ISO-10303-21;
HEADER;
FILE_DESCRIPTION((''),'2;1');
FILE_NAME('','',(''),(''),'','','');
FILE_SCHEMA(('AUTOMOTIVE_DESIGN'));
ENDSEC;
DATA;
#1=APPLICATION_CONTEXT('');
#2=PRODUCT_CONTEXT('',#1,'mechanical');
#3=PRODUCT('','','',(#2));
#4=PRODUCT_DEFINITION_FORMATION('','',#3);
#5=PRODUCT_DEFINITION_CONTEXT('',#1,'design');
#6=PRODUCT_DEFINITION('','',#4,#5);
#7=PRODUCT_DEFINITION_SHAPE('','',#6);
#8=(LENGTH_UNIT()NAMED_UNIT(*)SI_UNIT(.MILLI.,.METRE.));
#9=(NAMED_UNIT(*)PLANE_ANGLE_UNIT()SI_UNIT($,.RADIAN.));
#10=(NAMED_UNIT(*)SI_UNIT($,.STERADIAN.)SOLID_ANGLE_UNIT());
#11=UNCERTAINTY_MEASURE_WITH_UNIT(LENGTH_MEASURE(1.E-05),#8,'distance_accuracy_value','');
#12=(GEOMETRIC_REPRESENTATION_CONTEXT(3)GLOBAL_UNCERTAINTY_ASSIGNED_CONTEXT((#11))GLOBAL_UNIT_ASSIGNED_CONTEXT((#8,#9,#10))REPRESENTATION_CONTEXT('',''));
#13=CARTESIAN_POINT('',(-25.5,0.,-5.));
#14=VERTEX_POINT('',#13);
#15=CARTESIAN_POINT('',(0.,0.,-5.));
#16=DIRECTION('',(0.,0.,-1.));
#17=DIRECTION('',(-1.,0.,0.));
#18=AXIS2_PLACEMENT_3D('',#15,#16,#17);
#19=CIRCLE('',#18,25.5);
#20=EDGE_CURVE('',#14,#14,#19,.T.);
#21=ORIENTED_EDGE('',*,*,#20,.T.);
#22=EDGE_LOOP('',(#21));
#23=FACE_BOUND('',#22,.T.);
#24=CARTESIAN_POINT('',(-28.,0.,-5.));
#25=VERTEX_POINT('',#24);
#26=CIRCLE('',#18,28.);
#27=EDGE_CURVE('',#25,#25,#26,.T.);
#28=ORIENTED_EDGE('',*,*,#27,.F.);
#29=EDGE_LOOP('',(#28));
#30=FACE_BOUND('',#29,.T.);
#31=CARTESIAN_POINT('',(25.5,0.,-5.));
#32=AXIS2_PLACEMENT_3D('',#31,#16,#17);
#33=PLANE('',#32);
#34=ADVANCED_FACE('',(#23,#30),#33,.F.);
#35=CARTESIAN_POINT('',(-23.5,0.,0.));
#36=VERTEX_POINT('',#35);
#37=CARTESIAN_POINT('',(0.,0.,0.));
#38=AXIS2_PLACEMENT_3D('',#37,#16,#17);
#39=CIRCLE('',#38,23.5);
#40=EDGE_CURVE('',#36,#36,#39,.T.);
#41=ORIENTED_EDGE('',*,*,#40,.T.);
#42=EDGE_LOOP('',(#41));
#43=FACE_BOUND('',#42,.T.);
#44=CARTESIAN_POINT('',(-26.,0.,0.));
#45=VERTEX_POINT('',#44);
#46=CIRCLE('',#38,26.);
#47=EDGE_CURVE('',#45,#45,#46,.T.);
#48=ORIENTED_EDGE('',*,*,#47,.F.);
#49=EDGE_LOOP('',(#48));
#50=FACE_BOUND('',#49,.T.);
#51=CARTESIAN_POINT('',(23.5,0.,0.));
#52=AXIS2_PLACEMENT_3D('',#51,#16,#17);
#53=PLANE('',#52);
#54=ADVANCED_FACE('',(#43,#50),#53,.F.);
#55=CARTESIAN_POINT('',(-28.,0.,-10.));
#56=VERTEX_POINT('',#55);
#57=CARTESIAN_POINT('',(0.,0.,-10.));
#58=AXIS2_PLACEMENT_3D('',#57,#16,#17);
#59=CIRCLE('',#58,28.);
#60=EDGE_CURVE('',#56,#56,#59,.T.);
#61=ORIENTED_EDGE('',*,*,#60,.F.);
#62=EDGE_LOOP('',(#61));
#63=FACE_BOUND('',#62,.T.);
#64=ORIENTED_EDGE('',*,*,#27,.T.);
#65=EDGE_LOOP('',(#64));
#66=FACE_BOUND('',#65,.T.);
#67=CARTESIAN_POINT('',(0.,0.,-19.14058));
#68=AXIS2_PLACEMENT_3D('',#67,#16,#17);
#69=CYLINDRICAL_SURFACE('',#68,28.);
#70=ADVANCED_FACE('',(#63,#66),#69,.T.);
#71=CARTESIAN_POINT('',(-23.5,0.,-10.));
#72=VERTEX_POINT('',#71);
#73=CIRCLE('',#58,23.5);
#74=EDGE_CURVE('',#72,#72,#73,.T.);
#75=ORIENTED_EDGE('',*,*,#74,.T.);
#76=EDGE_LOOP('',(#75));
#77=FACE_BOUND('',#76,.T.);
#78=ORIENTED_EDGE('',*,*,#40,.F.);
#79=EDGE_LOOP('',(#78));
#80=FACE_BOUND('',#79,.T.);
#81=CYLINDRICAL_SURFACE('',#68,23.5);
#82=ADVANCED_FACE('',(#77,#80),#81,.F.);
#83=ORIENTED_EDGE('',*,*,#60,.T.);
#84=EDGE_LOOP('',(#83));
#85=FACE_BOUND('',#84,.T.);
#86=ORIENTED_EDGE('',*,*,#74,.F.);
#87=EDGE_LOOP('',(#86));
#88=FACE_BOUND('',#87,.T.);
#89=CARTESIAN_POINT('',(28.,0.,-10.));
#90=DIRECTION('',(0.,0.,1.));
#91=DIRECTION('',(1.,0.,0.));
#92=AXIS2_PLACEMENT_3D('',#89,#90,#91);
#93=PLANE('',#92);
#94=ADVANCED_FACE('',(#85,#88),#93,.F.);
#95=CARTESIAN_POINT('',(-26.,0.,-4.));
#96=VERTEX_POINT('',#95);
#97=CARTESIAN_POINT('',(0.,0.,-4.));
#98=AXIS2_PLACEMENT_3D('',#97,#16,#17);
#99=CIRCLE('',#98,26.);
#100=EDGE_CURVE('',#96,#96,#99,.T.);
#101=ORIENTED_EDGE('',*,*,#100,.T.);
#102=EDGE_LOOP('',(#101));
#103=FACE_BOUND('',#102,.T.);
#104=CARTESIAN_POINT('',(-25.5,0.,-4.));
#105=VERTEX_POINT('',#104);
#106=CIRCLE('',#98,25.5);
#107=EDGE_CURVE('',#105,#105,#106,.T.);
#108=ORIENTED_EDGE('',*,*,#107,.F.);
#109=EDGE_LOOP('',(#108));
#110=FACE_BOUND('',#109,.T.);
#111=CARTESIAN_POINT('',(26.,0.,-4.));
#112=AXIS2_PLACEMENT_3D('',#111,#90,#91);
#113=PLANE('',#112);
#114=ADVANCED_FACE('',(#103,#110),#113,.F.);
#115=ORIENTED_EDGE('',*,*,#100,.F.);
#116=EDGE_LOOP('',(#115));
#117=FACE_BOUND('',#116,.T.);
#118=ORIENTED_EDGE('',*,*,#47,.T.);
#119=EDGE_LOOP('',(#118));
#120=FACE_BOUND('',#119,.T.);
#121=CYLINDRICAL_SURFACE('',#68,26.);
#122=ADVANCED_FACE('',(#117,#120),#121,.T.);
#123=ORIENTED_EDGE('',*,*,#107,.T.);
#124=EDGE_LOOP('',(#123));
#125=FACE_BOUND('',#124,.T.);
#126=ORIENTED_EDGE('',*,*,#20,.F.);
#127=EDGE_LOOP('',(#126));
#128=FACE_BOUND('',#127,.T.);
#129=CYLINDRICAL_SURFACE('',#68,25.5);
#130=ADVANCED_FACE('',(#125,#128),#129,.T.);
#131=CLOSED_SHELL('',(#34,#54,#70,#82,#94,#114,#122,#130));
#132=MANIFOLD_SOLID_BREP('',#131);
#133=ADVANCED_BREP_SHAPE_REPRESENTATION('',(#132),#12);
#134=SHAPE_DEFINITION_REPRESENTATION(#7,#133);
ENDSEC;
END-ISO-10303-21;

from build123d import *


with BuildPart() as part:
    # 草图1 → 旋转1 (revolve)
    with BuildSketch(Plane(origin=(0, 0, 0), x_dir=(1, 0, 0), z_dir=(0, 1, 0)), mode=Mode.PRIVATE) as revolve_1_sk:
        Polygon((23.5, 0), (23.5, 10), (28, 10), (28, 5), (25.5, 5), (25.5, 4), (26, 4), (26, 0), align=None)
    revolve(revolve_1_sk.sketch.rotate(Axis((0, 0, -19.14057971), (0, 0, 1)), 180), axis=Axis((0, 0, -19.14057971), (0, 0, 1)))  # turned: the seam where the file's is


solid = part.part
